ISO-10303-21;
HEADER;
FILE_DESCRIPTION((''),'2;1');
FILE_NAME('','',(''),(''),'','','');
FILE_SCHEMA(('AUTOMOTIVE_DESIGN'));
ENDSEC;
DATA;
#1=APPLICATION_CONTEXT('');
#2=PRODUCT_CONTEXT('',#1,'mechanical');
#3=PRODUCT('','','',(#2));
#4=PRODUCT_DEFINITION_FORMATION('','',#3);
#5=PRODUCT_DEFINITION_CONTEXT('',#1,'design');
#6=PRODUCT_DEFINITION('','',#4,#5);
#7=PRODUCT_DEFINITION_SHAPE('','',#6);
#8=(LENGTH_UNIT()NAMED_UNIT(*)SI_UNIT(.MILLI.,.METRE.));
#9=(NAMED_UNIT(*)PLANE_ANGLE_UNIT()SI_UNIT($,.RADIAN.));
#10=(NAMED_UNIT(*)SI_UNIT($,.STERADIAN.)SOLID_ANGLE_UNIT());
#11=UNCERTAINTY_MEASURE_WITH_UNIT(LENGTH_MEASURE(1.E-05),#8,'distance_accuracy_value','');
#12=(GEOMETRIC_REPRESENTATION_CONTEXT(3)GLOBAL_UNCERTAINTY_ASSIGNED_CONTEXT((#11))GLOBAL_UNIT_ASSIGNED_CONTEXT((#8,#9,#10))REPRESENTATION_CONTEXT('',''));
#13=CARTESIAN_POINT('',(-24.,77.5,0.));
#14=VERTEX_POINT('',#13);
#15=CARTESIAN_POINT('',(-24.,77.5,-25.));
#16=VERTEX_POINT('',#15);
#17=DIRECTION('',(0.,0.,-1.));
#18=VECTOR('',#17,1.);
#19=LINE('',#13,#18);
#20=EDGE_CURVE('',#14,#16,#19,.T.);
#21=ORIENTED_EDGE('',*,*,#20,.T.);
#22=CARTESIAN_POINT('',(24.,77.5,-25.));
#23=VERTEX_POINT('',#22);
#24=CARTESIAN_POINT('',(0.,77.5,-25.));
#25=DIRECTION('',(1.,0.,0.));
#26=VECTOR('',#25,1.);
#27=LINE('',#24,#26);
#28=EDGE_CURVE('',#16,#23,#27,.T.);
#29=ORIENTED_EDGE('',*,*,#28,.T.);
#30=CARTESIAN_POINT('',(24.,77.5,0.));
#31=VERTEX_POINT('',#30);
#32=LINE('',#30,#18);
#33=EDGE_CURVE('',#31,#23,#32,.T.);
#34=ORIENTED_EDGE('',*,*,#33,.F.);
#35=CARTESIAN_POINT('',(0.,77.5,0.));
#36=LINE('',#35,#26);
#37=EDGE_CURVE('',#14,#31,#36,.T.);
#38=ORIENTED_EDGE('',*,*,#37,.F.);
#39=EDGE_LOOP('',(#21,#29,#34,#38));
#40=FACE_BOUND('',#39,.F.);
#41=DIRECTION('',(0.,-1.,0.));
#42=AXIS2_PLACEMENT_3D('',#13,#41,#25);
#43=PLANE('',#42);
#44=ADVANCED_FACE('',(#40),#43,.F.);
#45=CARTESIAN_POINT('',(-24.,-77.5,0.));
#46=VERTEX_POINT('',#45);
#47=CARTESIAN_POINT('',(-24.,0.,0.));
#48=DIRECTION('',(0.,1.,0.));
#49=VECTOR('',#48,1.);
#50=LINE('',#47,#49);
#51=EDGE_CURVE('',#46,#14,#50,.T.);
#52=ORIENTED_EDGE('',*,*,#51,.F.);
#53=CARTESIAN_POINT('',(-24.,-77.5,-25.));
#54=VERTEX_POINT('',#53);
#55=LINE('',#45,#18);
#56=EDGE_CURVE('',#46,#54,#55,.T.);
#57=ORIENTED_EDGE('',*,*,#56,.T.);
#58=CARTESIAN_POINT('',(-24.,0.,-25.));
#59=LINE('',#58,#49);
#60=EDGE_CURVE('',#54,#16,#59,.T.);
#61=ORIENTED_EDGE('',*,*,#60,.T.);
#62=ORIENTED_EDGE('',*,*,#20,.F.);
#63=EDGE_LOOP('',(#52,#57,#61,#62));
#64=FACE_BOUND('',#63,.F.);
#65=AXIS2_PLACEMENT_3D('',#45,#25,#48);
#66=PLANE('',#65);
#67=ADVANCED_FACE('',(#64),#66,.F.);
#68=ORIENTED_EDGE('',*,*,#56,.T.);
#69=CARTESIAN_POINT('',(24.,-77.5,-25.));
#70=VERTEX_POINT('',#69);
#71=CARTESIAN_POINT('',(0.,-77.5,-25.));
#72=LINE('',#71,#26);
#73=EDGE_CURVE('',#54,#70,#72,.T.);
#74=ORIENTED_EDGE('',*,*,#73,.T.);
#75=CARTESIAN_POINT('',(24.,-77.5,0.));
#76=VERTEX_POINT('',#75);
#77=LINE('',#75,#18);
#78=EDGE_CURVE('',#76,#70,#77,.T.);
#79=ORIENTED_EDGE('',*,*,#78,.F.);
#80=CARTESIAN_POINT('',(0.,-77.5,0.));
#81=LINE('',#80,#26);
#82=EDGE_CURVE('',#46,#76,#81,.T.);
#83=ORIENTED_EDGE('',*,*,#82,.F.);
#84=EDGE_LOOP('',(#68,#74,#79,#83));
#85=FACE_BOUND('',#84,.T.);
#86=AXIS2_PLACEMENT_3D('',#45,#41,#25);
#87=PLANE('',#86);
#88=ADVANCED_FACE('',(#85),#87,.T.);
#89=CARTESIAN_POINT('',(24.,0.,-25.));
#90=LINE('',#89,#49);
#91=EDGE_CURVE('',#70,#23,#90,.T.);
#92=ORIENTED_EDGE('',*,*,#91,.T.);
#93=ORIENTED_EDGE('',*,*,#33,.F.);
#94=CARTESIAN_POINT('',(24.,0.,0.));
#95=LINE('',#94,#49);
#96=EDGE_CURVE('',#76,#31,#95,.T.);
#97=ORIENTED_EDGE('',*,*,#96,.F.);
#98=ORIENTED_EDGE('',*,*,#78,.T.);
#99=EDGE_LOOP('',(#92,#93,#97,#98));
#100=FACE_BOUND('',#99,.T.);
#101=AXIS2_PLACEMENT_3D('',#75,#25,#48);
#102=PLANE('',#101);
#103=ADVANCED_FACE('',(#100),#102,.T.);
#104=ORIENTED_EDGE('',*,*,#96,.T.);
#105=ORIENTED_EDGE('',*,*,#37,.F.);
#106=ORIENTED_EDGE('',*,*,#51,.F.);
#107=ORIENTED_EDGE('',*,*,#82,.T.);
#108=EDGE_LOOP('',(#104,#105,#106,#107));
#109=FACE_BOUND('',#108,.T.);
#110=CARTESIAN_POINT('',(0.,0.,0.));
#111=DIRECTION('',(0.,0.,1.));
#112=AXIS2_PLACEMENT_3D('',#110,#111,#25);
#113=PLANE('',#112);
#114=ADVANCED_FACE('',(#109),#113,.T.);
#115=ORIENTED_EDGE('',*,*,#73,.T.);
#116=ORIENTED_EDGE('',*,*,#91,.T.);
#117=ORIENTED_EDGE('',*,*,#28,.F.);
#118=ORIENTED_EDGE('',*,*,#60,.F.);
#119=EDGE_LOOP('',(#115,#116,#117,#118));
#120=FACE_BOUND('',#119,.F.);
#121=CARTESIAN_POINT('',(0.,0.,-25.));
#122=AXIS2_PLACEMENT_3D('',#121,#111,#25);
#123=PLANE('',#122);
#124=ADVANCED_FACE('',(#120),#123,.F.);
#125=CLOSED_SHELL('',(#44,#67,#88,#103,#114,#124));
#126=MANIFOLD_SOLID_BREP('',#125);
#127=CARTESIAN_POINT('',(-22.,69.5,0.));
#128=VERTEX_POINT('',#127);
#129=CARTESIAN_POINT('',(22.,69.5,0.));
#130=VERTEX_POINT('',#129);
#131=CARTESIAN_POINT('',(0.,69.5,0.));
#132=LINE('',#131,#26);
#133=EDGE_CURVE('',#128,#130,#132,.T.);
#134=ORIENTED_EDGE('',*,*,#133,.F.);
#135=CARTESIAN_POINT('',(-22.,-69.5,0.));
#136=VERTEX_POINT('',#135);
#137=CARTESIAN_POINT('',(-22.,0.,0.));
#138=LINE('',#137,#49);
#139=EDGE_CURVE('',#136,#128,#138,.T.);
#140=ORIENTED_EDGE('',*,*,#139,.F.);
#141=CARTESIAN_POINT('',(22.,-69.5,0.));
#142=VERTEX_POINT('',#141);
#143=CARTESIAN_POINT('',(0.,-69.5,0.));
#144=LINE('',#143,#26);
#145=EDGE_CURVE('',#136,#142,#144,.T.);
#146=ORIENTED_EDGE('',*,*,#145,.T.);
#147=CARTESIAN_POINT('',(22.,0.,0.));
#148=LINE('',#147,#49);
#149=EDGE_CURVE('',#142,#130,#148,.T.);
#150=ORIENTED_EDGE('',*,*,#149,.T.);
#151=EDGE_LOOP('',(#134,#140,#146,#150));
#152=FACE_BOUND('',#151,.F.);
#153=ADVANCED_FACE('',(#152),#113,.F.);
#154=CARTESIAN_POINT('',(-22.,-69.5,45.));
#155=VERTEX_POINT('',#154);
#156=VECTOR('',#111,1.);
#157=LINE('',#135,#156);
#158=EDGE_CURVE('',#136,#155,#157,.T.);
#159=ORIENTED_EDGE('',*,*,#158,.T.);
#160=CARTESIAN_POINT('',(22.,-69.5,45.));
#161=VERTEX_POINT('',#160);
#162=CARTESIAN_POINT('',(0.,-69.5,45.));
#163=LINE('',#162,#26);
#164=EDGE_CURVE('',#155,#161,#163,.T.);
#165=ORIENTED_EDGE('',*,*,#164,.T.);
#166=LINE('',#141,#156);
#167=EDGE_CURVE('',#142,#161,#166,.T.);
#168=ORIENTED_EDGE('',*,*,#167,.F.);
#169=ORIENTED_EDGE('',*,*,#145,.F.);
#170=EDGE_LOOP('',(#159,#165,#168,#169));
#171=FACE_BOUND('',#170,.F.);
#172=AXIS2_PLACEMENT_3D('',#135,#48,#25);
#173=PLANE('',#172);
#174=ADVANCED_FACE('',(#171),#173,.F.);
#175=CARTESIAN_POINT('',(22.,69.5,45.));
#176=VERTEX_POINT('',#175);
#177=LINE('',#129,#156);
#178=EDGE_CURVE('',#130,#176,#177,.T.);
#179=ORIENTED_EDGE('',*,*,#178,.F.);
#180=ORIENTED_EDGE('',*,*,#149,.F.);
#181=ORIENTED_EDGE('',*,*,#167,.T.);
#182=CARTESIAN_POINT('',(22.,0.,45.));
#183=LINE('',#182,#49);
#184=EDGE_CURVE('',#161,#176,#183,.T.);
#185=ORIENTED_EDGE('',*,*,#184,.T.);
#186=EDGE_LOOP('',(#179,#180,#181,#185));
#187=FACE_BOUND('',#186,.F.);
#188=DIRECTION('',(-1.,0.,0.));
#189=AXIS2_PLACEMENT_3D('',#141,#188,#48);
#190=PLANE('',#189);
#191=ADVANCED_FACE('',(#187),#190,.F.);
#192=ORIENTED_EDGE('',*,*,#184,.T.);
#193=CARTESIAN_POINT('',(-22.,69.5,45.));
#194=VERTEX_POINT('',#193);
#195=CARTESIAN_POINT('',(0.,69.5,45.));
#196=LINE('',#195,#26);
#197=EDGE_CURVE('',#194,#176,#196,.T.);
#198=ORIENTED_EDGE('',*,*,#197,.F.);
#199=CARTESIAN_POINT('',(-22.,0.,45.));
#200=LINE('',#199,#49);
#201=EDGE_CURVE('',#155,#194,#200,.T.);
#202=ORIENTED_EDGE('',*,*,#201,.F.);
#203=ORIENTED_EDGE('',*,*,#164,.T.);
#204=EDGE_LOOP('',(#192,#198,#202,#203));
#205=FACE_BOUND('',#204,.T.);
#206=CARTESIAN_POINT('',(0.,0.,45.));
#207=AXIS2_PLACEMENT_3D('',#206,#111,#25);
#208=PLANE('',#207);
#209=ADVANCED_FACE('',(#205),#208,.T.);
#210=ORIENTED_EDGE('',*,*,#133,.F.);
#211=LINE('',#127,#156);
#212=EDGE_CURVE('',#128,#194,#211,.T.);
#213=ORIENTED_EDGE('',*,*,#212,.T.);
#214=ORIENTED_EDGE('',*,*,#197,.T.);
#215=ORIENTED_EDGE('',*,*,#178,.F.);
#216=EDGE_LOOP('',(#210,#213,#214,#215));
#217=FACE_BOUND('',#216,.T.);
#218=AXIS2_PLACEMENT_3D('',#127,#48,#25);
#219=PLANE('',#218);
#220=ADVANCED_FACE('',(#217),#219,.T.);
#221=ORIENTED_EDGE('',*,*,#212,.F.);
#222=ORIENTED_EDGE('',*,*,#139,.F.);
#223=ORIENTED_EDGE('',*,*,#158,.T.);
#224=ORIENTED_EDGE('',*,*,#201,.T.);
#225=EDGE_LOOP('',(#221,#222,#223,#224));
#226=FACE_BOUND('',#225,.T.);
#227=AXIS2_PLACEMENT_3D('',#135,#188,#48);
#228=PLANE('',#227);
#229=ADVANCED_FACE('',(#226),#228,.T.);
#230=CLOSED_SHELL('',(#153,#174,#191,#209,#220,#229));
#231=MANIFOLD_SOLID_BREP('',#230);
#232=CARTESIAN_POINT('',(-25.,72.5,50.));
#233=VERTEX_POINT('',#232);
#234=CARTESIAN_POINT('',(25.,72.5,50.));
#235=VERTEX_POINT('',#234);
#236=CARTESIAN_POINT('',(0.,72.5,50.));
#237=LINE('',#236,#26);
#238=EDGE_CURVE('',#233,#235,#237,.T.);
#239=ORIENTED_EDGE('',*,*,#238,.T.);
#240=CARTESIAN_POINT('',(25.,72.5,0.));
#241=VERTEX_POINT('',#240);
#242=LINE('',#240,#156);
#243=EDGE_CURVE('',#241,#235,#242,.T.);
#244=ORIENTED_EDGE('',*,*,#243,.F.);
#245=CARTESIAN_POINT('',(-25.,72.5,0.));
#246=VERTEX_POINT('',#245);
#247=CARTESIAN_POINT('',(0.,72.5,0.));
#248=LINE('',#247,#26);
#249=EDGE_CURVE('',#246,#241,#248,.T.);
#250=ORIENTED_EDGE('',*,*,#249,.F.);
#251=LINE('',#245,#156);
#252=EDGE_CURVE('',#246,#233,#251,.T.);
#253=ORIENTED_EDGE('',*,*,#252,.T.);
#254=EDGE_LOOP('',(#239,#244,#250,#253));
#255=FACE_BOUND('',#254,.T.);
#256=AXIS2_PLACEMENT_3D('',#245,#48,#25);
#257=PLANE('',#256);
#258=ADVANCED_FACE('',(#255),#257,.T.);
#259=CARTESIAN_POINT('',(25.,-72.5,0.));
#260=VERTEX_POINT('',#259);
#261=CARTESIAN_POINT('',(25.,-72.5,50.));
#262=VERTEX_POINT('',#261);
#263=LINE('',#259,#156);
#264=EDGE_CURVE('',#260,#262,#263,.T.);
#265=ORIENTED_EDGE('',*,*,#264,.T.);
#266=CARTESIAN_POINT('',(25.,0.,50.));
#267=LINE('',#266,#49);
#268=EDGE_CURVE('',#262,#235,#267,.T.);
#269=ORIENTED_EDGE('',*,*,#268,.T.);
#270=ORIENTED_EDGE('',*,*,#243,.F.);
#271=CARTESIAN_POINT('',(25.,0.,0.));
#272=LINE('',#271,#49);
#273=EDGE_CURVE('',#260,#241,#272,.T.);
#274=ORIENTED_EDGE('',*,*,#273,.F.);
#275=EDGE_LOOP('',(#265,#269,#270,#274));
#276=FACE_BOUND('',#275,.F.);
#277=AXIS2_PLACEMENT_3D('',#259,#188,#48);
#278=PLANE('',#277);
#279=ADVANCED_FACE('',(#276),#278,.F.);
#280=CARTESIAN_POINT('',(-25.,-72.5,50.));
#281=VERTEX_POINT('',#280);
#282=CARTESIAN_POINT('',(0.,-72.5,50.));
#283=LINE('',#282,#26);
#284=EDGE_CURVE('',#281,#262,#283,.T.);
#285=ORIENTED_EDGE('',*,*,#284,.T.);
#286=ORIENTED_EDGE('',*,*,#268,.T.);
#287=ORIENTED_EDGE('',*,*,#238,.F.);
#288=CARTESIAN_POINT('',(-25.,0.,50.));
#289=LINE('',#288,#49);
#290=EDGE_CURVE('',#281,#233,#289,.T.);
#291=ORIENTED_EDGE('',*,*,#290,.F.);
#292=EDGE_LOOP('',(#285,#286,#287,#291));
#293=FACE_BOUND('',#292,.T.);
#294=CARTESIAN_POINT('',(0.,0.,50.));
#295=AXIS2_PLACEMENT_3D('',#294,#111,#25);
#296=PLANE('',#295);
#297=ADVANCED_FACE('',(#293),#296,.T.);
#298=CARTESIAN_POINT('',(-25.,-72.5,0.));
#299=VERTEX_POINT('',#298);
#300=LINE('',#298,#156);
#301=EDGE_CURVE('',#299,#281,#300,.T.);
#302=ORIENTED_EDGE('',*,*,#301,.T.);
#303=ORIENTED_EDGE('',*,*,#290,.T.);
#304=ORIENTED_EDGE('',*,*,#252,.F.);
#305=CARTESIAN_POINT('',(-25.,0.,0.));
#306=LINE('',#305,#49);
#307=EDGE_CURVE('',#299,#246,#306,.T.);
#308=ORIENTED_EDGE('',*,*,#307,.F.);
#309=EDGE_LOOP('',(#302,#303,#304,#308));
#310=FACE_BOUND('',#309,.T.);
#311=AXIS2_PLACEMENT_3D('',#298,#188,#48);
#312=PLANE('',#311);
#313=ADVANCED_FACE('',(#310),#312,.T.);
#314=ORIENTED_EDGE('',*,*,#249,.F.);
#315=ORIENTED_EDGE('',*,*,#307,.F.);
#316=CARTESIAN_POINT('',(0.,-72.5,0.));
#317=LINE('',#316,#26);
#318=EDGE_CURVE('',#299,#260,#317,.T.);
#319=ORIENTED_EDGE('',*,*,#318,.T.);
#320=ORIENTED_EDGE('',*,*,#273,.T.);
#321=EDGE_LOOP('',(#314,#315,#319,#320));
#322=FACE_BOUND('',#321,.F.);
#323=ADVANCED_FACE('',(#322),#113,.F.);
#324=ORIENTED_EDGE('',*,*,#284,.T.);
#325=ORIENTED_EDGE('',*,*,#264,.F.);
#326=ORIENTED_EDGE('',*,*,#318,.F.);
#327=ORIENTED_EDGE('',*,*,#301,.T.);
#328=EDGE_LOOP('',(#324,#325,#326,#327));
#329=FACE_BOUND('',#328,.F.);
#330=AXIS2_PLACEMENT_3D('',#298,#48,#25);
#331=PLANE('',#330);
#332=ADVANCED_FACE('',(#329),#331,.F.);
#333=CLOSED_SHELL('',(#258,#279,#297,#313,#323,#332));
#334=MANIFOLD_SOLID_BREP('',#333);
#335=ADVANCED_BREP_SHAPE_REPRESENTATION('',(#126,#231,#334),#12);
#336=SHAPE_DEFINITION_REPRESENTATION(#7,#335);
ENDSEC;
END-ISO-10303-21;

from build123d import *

# Parameters (mm, degrees)
F0_W     = 44
F0_H     = 139
F1_DEPTH = 45
F2_W     = 50
F2_H     = 145
F3_DEPTH = 50
F4_W     = 48
F4_H     = 155
F5_DEPTH = 25


with BuildPart() as f1:
    # F0 (on Top) → F1 (new body)
    with BuildSketch(Plane.XY):
        Rectangle(F0_W, F0_H)
    extrude(amount=F1_DEPTH)


with BuildPart() as f3:
    # F2 (on Top) → F3 (new body)
    with BuildSketch(Plane.XY):
        Rectangle(F2_W, F2_H)
    extrude(amount=F3_DEPTH)


with BuildPart() as f5:
    # F4 (on Top) → F5 (new body)
    with BuildSketch(Plane.XY):
        Rectangle(F4_W, F4_H)
    extrude(amount=-F5_DEPTH)


solid = Compound([f1.part, f3.part, f5.part])
